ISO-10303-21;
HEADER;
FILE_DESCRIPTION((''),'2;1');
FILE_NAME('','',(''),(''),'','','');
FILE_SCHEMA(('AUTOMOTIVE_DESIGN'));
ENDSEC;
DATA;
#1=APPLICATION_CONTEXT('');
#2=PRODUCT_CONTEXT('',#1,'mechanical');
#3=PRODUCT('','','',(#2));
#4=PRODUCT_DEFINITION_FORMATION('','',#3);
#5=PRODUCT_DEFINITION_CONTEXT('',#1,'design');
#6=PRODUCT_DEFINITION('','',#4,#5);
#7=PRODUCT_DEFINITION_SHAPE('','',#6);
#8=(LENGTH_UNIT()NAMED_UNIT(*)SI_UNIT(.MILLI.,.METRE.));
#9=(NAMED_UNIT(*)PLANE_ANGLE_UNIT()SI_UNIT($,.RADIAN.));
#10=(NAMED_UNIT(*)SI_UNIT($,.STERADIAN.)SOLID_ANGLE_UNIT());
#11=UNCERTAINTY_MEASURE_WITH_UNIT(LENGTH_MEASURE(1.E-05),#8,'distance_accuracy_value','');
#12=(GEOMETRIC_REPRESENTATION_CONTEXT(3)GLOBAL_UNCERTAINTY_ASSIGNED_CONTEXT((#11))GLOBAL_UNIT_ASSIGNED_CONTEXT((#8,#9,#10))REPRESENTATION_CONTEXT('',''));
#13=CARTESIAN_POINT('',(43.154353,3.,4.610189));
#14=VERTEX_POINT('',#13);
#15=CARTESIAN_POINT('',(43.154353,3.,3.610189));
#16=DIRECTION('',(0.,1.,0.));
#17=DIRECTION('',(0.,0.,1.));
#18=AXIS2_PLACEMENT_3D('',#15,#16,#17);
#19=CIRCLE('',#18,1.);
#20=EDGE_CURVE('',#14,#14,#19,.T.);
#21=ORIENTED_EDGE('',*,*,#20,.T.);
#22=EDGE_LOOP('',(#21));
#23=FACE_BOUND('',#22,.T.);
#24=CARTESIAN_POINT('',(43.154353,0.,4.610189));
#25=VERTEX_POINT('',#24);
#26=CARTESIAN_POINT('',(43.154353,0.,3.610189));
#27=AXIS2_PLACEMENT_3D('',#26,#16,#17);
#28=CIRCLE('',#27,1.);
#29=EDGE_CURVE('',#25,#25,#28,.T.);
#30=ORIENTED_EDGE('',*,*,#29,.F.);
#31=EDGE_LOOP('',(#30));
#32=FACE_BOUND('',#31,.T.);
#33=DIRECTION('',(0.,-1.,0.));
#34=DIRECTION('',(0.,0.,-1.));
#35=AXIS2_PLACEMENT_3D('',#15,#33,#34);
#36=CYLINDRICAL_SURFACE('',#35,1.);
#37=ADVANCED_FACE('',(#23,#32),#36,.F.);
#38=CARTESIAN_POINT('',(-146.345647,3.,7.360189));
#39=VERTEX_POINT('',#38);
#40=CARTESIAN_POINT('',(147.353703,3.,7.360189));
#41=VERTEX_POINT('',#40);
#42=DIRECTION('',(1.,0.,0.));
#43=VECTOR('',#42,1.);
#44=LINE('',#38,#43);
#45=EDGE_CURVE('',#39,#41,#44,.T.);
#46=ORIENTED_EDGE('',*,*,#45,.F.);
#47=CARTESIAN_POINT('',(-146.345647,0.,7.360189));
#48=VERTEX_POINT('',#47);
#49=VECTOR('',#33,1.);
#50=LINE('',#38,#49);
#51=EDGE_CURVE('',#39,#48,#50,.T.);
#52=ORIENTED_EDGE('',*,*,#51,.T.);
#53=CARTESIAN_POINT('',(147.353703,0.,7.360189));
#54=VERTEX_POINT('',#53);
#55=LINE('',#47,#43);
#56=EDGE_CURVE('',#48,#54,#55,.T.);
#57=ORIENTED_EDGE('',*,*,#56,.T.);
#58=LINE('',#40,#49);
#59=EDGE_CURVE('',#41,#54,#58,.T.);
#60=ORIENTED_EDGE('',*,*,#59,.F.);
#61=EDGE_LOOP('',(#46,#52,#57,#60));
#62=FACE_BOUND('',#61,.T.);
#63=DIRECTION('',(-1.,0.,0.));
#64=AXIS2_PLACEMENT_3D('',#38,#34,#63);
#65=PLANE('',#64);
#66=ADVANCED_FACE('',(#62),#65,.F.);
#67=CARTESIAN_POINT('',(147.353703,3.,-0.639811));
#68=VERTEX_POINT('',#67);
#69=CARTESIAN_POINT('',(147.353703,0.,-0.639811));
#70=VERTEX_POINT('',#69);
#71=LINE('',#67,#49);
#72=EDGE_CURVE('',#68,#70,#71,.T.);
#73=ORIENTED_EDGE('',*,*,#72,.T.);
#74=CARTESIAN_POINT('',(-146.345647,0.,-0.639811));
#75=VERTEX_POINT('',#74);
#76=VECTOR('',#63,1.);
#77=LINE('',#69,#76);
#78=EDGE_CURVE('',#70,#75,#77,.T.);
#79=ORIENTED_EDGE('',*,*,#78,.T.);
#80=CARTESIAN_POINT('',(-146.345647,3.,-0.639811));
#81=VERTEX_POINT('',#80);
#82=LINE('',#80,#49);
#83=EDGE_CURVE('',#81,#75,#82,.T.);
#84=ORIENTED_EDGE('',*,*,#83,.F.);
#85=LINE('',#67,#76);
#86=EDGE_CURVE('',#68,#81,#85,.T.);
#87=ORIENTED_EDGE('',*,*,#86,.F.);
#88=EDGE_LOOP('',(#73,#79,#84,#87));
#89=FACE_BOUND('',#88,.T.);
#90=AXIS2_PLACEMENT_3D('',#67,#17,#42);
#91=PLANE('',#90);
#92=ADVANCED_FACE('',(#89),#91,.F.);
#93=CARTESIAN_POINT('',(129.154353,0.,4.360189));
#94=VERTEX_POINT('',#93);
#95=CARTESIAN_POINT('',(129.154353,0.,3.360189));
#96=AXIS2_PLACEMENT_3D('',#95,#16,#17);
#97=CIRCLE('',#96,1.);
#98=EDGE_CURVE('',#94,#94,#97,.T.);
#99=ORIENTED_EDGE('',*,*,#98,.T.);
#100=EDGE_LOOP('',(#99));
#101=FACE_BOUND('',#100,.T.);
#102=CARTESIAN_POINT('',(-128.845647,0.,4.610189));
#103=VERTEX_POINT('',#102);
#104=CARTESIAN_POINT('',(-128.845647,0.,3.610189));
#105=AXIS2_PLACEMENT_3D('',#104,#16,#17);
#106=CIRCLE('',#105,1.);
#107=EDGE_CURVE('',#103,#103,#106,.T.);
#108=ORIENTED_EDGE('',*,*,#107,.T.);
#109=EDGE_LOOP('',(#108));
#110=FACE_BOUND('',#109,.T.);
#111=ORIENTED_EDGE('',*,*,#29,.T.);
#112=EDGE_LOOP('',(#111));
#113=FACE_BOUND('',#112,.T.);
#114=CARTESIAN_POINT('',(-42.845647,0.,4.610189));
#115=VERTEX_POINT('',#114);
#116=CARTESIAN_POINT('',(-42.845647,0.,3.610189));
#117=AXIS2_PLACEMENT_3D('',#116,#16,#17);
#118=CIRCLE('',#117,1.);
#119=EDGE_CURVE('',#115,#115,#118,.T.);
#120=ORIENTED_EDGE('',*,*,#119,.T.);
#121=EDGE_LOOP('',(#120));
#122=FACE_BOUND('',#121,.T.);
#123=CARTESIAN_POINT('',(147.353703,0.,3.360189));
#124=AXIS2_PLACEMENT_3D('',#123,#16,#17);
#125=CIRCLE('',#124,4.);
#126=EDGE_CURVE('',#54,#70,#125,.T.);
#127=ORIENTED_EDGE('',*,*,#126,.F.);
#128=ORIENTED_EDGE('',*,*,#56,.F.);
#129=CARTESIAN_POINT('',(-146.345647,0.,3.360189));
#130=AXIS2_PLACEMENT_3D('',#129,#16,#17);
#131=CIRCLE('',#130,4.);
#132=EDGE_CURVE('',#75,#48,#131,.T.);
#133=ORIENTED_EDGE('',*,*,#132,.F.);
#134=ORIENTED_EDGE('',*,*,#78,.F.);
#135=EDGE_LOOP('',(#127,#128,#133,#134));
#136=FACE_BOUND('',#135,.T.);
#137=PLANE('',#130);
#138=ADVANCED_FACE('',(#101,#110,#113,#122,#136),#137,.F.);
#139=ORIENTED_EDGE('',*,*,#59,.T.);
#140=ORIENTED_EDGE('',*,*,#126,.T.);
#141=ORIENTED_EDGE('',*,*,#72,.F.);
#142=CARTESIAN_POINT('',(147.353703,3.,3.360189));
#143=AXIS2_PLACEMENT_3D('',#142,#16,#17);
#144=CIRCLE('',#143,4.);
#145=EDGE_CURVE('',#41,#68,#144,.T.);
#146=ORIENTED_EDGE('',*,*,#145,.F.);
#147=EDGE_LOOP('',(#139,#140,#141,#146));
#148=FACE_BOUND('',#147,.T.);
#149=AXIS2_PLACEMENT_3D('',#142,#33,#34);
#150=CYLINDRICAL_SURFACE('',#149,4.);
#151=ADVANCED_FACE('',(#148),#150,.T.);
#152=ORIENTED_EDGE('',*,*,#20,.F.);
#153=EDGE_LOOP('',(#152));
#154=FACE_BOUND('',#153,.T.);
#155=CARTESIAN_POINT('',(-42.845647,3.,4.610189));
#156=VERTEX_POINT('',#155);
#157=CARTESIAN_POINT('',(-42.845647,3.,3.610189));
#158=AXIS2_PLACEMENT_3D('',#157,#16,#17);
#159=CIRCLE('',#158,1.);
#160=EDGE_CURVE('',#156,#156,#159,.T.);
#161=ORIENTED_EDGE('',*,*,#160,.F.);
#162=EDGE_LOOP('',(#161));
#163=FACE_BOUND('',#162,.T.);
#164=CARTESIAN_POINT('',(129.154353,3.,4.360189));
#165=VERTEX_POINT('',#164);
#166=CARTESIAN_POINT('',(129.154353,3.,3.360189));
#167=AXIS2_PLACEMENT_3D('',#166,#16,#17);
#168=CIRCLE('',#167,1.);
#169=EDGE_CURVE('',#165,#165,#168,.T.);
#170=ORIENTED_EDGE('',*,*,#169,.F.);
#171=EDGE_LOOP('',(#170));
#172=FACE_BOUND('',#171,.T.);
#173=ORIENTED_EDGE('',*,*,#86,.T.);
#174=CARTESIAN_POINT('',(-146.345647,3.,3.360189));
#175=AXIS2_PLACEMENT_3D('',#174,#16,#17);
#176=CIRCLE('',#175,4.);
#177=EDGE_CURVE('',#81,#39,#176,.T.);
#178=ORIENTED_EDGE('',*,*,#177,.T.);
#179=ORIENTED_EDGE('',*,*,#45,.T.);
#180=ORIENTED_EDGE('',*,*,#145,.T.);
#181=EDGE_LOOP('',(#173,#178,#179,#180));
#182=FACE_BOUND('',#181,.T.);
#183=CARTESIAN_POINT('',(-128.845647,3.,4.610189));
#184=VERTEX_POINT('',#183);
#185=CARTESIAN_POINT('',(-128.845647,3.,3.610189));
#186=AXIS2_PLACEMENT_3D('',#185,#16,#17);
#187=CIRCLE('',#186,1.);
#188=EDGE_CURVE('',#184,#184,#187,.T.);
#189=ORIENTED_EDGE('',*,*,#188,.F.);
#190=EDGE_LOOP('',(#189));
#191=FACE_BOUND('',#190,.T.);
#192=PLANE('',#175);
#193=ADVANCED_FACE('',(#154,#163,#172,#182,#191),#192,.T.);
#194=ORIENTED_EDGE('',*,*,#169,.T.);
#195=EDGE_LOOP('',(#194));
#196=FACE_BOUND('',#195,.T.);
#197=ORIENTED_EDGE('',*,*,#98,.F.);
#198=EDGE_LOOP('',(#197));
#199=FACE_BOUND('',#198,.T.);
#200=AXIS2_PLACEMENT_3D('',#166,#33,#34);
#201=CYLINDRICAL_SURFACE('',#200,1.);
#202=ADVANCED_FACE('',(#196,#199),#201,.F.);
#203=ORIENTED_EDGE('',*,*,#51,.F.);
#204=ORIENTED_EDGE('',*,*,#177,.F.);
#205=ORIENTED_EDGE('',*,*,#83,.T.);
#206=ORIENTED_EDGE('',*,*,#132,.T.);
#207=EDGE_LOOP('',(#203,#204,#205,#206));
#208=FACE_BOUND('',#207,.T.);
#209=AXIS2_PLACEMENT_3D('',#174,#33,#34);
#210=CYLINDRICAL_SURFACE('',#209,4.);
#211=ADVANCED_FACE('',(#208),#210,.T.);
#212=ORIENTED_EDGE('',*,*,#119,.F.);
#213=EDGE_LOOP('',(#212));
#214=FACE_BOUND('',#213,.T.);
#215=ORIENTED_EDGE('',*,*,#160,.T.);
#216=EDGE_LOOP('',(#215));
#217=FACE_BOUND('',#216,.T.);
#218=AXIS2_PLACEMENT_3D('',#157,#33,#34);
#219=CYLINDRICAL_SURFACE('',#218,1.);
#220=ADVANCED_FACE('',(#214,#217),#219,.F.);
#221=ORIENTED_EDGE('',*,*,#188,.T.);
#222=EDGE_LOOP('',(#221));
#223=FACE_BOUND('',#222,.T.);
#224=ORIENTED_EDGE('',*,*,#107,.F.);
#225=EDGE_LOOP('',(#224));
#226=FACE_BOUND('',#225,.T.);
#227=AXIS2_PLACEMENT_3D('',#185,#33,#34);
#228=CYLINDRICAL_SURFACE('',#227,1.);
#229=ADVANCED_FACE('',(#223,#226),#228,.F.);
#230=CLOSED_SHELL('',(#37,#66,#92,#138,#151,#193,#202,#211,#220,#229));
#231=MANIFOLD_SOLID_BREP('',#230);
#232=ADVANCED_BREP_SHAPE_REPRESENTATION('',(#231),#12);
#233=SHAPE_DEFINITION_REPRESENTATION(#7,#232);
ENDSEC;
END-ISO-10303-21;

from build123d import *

# Parameters (mm, degrees)
SKETCH1_R           = 1
BOSS_EXTRUDE1_DEPTH = 3


with BuildPart() as part:
    # Sketch1 → Boss-Extrude1 (new body)
    with BuildSketch(Plane(origin=(0, 0, 0), x_dir=(1, 0, 0), z_dir=(0, 1, 0))):
        with BuildLine():
            Line((-146.345646623, -7.360189179), (147.353703377, -7.360189179))
            ThreePointArc((147.353703377, -7.360189179), (150.182130502, -6.188616304), (151.353703377, -3.360189179))
            ThreePointArc((151.353703377, -3.360189179), (150.182130502, -0.531762055), (147.353703377, 0.639810821))
            Line((147.353703377, 0.639810821), (-146.345646623, 0.639810821))
            ThreePointArc((-146.345646623, 0.639810821), (-149.174073748, -0.531762055), (-150.345646623, -3.360189179))
            ThreePointArc((-150.345646623, -3.360189179), (-149.174073748, -6.188616304), (-146.345646623, -7.360189179))
        make_face()
        with Locations((-128.845646623, -3.610189179)):
            Circle(SKETCH1_R, mode=Mode.SUBTRACT)
        with Locations((-42.845646623, -3.610189179)):
            Circle(SKETCH1_R, mode=Mode.SUBTRACT)
        with Locations((43.154353377, -3.610189179)):
            Circle(SKETCH1_R, mode=Mode.SUBTRACT)
        with Locations((129.154353377, -3.360189179)):
            Circle(SKETCH1_R, mode=Mode.SUBTRACT)
    extrude(amount=BOSS_EXTRUDE1_DEPTH)


solid = part.part
